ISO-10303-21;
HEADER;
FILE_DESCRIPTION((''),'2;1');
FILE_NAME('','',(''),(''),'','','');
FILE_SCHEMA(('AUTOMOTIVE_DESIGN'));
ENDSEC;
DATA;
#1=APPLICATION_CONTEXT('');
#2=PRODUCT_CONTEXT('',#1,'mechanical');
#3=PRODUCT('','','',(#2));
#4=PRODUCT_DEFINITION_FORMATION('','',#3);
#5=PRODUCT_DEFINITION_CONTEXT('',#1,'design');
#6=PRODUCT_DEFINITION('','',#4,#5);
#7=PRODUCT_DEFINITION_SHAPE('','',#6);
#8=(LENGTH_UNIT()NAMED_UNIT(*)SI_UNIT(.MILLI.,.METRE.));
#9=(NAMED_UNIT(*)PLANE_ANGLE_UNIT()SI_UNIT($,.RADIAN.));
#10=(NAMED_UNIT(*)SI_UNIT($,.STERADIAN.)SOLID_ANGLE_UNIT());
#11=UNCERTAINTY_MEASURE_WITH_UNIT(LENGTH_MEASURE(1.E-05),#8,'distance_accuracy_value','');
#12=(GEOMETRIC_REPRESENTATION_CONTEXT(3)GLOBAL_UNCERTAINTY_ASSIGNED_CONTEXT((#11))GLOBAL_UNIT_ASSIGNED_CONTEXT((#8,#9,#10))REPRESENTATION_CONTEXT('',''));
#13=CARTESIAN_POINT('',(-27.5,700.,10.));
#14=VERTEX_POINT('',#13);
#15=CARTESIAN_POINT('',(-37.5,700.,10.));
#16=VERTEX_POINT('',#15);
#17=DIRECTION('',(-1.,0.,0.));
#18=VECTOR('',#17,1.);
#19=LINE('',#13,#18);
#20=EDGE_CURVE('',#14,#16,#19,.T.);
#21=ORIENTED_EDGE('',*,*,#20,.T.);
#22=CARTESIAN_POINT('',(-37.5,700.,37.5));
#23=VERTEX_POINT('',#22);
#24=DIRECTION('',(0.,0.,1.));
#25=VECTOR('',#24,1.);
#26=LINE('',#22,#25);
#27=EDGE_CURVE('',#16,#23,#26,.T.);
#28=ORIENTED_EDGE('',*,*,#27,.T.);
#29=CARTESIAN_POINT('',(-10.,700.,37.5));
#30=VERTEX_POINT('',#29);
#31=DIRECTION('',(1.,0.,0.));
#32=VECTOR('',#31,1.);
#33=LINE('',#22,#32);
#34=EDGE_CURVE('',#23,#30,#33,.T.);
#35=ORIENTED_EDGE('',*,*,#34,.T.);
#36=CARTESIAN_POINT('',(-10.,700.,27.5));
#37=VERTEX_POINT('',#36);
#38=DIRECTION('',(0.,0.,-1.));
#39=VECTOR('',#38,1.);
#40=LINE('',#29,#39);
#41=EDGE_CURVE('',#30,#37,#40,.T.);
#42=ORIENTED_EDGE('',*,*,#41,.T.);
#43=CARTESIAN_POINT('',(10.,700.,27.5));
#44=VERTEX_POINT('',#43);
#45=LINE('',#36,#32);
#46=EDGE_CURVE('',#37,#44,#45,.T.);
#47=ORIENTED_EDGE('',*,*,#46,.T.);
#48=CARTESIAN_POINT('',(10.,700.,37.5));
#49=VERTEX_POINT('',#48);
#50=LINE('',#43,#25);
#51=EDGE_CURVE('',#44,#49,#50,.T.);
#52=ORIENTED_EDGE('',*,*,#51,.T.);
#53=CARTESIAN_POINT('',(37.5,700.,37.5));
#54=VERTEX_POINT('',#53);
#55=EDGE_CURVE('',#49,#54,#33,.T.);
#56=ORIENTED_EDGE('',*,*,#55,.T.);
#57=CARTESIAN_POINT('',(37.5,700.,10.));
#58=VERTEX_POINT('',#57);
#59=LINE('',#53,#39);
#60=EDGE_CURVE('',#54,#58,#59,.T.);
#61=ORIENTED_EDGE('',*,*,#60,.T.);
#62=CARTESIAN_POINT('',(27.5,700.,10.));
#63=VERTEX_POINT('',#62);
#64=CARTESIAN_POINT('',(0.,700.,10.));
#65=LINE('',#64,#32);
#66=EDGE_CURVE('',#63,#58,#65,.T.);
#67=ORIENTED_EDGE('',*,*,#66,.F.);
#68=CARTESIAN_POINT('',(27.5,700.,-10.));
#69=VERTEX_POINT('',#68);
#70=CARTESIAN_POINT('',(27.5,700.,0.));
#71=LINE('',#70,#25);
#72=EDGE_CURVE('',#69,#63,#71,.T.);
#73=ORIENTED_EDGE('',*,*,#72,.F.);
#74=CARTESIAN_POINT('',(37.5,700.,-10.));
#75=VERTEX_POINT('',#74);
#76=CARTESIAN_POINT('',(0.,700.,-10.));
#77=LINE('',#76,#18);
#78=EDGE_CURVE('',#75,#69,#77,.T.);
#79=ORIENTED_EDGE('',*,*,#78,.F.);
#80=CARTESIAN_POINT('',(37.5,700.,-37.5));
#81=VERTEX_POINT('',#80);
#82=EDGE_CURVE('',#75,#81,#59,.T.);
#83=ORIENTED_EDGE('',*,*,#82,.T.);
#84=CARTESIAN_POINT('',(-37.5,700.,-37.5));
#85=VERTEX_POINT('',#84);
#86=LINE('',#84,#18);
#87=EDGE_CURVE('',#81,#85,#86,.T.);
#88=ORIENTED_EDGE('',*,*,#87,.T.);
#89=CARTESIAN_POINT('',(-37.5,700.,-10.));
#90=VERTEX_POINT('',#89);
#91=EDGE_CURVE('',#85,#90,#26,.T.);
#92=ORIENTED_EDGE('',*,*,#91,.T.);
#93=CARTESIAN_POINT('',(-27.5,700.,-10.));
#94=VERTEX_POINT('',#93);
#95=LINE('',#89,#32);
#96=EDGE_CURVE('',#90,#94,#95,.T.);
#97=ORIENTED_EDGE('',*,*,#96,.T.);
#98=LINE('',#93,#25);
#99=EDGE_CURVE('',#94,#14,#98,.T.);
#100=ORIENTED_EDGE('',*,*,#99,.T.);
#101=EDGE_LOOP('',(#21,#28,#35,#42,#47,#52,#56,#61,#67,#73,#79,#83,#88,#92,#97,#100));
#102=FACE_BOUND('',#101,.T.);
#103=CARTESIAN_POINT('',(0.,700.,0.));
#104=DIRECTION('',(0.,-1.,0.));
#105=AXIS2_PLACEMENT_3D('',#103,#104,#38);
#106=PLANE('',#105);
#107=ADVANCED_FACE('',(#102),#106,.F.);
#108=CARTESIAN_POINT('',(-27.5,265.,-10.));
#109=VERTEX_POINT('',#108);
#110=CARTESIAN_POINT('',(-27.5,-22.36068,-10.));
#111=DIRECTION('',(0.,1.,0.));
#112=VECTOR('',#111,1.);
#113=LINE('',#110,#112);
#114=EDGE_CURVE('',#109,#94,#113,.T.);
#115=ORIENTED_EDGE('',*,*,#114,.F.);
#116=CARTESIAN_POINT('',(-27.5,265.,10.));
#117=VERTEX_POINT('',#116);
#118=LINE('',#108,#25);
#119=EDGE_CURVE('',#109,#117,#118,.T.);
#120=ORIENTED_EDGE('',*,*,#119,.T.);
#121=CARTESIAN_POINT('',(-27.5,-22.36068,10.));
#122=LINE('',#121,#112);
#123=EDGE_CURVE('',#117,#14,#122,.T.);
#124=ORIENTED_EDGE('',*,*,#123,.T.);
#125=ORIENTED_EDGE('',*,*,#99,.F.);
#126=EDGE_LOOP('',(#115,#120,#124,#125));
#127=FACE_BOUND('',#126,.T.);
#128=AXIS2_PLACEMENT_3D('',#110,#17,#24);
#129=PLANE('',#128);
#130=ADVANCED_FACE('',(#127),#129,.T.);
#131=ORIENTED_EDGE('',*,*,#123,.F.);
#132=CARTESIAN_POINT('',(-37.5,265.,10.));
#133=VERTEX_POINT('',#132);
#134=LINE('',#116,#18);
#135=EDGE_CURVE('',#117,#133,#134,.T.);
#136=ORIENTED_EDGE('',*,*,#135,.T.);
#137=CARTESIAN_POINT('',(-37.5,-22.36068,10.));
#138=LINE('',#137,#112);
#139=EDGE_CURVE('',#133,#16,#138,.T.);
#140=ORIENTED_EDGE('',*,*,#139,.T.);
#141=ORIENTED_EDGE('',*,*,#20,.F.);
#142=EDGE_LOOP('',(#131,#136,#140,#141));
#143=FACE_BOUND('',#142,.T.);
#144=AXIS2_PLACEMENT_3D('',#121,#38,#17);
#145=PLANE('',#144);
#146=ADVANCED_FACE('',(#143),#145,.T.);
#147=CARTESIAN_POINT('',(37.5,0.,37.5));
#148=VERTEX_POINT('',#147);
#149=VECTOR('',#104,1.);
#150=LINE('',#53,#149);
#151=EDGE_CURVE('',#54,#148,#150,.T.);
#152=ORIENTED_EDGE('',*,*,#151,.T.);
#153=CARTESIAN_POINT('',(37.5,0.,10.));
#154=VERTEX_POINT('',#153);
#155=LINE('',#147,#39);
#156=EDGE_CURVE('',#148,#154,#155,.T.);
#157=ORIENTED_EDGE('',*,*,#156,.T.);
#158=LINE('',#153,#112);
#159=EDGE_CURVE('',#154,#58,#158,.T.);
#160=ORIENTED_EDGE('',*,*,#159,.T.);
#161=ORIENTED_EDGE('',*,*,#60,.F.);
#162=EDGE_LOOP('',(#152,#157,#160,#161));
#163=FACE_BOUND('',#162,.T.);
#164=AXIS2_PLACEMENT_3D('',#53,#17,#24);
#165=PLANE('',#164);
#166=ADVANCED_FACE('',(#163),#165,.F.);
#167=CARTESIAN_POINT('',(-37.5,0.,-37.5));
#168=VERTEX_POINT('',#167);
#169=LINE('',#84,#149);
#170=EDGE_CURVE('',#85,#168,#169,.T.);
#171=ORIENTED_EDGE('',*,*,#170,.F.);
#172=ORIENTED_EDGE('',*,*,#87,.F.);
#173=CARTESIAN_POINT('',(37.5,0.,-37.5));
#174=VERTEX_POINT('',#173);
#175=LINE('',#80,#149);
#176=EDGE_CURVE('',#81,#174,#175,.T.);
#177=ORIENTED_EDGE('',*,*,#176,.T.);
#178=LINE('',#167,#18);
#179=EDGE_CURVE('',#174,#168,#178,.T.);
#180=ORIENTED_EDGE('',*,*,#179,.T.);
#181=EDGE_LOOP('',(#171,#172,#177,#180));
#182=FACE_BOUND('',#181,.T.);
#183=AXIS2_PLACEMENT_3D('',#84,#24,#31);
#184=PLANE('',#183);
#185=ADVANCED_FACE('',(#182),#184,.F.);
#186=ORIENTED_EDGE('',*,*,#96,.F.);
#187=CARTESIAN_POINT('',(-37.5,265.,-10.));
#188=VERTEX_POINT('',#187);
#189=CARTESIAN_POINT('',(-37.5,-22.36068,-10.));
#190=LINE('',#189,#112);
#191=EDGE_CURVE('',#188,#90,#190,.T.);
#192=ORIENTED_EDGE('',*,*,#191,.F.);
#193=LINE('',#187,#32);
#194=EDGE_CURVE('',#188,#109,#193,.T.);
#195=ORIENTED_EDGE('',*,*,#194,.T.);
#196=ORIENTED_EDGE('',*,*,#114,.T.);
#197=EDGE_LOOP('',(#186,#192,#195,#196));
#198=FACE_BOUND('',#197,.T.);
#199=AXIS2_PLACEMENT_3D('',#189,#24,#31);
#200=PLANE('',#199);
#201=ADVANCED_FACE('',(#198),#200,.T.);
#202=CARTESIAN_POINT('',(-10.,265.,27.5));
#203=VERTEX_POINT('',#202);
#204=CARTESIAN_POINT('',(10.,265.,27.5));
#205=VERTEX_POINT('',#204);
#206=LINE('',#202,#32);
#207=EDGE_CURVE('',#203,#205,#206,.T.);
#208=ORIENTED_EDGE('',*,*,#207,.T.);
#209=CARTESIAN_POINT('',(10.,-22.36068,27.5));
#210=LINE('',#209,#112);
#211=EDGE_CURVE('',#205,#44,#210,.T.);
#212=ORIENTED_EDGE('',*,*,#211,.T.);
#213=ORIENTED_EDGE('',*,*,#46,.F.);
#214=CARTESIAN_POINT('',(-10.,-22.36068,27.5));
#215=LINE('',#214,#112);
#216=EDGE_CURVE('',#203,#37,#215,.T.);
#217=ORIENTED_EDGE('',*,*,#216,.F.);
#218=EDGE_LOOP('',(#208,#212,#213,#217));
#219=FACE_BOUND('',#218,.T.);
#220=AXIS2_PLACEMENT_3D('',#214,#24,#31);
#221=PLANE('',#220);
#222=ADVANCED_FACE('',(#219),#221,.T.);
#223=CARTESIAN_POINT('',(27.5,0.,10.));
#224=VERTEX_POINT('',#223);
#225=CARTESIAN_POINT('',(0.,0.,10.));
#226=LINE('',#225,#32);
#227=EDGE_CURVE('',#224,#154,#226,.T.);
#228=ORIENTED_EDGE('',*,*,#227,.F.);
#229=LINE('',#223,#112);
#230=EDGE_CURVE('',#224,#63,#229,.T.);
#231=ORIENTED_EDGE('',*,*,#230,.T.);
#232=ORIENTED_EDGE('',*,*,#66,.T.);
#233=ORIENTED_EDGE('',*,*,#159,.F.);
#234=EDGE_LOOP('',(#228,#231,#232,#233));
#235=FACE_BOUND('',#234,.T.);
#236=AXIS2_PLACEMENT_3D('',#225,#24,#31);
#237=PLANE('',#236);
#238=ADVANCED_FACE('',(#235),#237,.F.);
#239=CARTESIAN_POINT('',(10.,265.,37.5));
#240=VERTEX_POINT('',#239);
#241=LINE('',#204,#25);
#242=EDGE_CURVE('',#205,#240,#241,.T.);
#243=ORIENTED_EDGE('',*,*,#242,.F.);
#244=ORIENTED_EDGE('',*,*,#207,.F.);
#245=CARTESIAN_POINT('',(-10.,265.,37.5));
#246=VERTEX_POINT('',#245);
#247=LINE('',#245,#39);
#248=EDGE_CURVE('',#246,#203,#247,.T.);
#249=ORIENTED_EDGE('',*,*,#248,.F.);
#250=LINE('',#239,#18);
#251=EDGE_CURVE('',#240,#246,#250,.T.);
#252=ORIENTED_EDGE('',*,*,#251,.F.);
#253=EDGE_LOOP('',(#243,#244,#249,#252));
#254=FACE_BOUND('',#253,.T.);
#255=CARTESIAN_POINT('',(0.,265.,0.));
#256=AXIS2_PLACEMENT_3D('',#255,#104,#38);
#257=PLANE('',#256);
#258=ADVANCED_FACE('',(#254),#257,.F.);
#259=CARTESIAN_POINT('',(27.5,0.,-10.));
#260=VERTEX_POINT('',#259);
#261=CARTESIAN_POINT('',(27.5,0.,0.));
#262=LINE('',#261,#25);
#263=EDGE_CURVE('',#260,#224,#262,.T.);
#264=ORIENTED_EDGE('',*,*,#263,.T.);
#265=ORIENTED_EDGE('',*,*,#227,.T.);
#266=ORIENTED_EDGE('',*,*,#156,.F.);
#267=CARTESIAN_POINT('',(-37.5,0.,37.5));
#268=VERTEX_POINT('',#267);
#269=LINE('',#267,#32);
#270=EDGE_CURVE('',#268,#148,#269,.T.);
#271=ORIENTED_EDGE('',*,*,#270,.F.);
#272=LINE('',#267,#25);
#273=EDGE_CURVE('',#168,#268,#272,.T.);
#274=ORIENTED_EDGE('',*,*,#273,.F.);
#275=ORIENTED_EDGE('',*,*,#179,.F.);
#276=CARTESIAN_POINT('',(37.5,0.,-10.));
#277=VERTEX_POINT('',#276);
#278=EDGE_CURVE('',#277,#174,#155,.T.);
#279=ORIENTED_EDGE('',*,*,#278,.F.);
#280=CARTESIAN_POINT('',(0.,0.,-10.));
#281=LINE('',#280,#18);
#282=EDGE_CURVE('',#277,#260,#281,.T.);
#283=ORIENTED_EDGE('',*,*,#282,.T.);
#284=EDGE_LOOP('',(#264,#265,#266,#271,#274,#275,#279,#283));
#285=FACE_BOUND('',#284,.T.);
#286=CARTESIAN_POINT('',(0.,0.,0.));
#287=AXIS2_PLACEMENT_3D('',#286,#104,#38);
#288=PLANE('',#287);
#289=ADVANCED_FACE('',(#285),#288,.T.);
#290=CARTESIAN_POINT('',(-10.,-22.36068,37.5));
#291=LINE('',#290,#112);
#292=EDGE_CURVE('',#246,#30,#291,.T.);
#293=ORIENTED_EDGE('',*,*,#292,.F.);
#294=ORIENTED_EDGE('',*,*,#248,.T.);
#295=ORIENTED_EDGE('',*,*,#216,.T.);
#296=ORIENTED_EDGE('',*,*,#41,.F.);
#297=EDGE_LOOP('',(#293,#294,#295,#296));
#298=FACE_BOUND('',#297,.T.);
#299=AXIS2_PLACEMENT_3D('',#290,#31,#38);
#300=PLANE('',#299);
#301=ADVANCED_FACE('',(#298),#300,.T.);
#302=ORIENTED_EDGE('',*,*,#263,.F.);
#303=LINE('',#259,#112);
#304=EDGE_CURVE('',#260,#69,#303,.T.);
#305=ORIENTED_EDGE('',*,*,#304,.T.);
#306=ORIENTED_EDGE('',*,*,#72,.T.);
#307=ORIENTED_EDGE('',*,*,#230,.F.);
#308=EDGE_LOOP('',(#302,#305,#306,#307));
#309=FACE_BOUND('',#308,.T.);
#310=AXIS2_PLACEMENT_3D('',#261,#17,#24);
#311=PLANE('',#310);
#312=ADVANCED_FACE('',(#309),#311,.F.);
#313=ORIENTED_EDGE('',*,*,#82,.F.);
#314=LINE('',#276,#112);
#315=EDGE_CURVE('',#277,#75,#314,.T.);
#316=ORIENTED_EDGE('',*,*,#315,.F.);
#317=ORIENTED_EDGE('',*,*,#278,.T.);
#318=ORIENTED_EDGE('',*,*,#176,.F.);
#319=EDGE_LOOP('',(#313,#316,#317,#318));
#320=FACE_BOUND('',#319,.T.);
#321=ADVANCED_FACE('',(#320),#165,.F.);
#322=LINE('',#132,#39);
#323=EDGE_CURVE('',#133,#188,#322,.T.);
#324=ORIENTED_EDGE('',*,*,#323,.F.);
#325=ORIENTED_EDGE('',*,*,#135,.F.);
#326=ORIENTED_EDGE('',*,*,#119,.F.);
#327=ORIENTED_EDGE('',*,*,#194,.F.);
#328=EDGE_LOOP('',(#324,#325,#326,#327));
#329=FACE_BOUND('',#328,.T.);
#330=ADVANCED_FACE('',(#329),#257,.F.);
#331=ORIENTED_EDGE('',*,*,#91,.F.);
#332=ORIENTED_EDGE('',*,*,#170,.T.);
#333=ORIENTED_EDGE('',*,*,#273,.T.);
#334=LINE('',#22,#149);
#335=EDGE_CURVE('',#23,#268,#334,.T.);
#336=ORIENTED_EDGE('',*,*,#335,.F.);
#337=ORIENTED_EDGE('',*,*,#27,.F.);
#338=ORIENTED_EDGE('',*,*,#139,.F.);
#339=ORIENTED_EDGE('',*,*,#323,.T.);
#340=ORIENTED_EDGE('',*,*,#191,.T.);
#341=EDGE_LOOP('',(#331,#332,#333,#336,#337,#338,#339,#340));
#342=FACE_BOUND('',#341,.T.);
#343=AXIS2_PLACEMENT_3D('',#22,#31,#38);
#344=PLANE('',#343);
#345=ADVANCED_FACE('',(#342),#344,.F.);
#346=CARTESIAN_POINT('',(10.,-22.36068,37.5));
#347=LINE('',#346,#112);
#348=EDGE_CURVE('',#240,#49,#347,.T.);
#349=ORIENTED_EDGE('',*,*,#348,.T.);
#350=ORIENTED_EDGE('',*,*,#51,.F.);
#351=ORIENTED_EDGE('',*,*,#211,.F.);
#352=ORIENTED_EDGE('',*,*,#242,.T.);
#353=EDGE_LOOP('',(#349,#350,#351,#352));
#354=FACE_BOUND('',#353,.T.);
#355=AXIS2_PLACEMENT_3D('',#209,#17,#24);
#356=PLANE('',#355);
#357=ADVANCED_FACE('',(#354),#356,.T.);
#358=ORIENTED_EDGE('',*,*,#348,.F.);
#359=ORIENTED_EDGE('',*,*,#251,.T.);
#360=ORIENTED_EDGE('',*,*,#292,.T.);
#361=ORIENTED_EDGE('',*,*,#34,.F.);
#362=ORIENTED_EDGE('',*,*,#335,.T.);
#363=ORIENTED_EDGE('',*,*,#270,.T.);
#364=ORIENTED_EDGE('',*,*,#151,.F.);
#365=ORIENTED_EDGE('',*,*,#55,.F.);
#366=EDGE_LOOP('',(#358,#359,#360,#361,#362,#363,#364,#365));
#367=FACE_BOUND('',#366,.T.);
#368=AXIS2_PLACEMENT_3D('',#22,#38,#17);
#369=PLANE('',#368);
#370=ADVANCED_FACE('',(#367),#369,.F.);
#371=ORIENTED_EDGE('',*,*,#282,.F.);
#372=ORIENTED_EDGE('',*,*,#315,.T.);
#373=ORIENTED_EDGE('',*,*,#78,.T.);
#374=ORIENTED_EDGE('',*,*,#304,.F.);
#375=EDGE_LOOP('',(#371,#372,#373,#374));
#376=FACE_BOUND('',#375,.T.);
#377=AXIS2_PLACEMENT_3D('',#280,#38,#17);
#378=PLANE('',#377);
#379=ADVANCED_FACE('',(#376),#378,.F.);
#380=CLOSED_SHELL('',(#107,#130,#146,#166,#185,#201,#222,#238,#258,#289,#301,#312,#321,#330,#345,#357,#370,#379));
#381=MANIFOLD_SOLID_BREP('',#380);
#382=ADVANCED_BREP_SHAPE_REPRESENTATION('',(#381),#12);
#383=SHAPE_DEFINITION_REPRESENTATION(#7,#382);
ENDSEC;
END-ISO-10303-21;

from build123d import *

# Parameters (mm, degrees)
SKETCH1_W           = 75
SKETCH1_H           = 75
BOSS_EXTRUDE1_DEPTH = 700
SKETCH2_2_W         = 20
SKETCH2_2_H         = 10
SKETCH2_2_W_2       = 10
SKETCH2_2_H_2       = 20
CUT_EXTRUDE2_DEPTH  = 435
SKETCH2_4_W         = 10
SKETCH2_4_H         = 20
CUT_EXTRUDE3_DEPTH  = 701


with BuildPart() as part:
    # Sketch1 → Boss-Extrude1 (new body)
    with BuildSketch(Plane(origin=(0, 0, 0), x_dir=(1, 0, 0), z_dir=(0, 1, 0))):
        Rectangle(SKETCH1_W, SKETCH1_H)
    extrude(amount=BOSS_EXTRUDE1_DEPTH)

    # Sketch2_2 → Cut-Extrude2 (cut)
    with BuildSketch(Plane(origin=(0, 700, 0), x_dir=(1, 0, 0), z_dir=(0, 1, 0))):
        with Locations((0, -32.5)):
            Rectangle(SKETCH2_2_W, SKETCH2_2_H)
        with Locations((-32.5, 0)):
            Rectangle(SKETCH2_2_W_2, SKETCH2_2_H_2)
    extrude(amount=-CUT_EXTRUDE2_DEPTH, mode=Mode.SUBTRACT)

    # Sketch2_4 → Cut-Extrude3 (cut, through all)
    with BuildSketch(Plane(origin=(0, 700, 0), x_dir=(1, 0, 0), z_dir=(0, 1, 0))):
        with Locations((32.5, 0)):
            Rectangle(SKETCH2_4_W, SKETCH2_4_H)
    extrude(amount=-CUT_EXTRUDE3_DEPTH, mode=Mode.SUBTRACT)


solid = part.part
